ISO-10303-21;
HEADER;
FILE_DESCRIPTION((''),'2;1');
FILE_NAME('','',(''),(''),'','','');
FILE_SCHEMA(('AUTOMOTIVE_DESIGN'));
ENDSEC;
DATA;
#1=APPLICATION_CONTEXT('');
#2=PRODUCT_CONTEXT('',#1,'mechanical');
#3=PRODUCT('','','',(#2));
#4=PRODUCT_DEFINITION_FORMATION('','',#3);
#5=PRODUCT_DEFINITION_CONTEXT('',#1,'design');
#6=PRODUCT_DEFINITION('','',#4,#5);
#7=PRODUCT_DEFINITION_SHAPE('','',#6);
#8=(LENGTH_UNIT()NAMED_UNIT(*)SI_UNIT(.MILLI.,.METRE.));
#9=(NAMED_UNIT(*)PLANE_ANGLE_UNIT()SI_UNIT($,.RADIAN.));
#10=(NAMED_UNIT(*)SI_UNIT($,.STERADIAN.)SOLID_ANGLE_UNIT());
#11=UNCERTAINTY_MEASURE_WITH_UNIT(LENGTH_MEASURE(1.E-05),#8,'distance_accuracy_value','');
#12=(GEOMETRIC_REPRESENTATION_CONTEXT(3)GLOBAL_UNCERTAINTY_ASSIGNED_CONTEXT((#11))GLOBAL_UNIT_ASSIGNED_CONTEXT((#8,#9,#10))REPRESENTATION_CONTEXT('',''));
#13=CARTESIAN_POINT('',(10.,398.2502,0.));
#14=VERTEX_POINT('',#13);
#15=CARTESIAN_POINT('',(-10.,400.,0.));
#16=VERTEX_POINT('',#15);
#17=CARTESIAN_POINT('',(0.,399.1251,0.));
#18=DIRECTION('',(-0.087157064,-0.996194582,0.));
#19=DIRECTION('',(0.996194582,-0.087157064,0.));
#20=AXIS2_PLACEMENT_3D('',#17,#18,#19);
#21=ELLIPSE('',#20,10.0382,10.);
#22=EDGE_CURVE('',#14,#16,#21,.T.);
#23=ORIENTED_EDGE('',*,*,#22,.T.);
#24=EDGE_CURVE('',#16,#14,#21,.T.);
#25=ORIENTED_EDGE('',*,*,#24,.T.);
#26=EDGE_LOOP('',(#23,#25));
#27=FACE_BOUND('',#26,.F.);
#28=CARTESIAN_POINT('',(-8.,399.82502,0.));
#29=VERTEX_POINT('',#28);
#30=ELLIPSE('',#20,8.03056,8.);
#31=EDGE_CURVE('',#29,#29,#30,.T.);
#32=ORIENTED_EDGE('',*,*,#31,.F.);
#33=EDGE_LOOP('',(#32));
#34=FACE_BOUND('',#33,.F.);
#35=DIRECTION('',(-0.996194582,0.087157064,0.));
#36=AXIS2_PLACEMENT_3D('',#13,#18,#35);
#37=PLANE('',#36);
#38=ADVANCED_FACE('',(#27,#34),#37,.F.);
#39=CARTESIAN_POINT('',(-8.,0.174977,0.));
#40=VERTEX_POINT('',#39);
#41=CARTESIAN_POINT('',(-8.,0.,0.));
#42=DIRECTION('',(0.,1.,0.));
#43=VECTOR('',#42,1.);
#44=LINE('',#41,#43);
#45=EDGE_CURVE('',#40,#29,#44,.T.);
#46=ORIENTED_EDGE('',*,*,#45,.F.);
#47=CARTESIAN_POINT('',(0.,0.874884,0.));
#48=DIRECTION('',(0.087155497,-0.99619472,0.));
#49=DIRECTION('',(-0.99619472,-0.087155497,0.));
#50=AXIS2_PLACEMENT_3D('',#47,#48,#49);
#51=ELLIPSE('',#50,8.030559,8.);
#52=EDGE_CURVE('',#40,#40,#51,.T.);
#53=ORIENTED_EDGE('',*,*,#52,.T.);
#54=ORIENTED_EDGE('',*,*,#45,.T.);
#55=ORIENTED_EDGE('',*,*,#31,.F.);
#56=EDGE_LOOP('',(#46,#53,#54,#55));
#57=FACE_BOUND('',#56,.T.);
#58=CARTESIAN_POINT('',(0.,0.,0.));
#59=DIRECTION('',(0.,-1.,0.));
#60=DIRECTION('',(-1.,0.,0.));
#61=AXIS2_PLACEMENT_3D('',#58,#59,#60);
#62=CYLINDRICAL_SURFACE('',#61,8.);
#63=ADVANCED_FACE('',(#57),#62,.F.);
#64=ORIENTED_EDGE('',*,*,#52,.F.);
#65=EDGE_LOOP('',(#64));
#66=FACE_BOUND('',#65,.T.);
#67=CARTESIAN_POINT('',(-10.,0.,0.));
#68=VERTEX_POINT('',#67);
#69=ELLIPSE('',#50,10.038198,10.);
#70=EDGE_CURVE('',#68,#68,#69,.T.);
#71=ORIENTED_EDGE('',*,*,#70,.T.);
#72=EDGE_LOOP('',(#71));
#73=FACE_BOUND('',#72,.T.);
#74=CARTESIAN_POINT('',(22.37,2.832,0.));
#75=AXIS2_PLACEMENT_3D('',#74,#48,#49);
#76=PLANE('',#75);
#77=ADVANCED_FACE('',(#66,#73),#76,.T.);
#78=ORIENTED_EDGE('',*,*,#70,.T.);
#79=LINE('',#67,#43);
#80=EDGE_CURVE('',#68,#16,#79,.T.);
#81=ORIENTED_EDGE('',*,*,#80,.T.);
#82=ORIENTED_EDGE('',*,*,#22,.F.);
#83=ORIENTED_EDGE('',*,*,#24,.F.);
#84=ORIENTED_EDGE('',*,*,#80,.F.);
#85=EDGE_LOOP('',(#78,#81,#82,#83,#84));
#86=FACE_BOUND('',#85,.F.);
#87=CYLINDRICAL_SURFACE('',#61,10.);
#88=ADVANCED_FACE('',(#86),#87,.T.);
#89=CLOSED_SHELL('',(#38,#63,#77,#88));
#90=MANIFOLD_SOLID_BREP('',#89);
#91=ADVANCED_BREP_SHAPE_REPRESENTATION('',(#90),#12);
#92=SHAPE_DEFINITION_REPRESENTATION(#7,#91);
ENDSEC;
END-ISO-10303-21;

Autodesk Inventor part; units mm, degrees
ref_plane "YZ Plane" through (0, 0, 0) normal (1, 0, 0) x (0, 1, 0)
ref_plane "XZ Plane" through (0, 0, 0) normal (0, 1, 0) x (-1, 0, 0)
ref_plane "XY Plane" through (0, 0, 0) normal (0, 0, 1) x (1, 0, 0)
sketch "Szkic1" plane through (0, 0, 0) normal (0, 1, 0) x (-1, 0, 0)
  circle A0 centre (0, 0) radius 10
  dimension "d0" = 20
extrude "Wyciągnięcie proste1" add sketch "Szkic1" along normal blind 400
shell "Skorupa1" thickness 2 removed faces 2 at (1.182, 0, 3.1167) at (1.182, 400, 3.1167)
sketch "Szkic2" plane through (0, 0, 0) normal (0, 0, 1) x (1, 0, 0)
  line L0 (-10, 0) -> (10, 0) construction
  line L1 (-10, 0) -> (10, 0)
  line L2 (22.37, 2.832) -> (-10, 0)
  line L3 (10, 0) -> (22.37, 2.832)
  line L4 (10, 400) -> (-10, 400) construction
  line L5 (10, 0) -> (10, 400) construction
  line L6 (-10, 400) -> (10, 400)
  line L7 (10, 400) -> (10, 398.2502)
  line L8 (10, 398.2502) -> (-10, 400)
  point P0 (0, 0)
  dimension "d4" = 5
  dimension "d7" = 5
extrude "Wyciągnięcie proste3" cut sketch "Szkic2" along normal mid plane 32
equation "\"PromieńGięcia\" = Grubość"
equation "\"SzerokośćGięciaPodcięcia\" = Grubość"
equation "\"GłębokośćGięciaPodcięcia\" = 0.5 * Grubość"
equation "\"RozmiarPodcięciaNarożnika\" = 4 * Grubość"
equation "\"MinimalnaPozostałość\" = 2 * Grubość"
equation "\"PromieńPrzejścia\" = PromieńGięcia"
equation "\"Rozmiar_promienia_Jacobiego\" = Grubość"
equation "\"Wielk_odstępu\" = Grubość"
equation "\"Grubość\" = 0.5"
properties part number "Rura_poprzeczna_ergosiedziska" material "Aluminium AW-7020"
